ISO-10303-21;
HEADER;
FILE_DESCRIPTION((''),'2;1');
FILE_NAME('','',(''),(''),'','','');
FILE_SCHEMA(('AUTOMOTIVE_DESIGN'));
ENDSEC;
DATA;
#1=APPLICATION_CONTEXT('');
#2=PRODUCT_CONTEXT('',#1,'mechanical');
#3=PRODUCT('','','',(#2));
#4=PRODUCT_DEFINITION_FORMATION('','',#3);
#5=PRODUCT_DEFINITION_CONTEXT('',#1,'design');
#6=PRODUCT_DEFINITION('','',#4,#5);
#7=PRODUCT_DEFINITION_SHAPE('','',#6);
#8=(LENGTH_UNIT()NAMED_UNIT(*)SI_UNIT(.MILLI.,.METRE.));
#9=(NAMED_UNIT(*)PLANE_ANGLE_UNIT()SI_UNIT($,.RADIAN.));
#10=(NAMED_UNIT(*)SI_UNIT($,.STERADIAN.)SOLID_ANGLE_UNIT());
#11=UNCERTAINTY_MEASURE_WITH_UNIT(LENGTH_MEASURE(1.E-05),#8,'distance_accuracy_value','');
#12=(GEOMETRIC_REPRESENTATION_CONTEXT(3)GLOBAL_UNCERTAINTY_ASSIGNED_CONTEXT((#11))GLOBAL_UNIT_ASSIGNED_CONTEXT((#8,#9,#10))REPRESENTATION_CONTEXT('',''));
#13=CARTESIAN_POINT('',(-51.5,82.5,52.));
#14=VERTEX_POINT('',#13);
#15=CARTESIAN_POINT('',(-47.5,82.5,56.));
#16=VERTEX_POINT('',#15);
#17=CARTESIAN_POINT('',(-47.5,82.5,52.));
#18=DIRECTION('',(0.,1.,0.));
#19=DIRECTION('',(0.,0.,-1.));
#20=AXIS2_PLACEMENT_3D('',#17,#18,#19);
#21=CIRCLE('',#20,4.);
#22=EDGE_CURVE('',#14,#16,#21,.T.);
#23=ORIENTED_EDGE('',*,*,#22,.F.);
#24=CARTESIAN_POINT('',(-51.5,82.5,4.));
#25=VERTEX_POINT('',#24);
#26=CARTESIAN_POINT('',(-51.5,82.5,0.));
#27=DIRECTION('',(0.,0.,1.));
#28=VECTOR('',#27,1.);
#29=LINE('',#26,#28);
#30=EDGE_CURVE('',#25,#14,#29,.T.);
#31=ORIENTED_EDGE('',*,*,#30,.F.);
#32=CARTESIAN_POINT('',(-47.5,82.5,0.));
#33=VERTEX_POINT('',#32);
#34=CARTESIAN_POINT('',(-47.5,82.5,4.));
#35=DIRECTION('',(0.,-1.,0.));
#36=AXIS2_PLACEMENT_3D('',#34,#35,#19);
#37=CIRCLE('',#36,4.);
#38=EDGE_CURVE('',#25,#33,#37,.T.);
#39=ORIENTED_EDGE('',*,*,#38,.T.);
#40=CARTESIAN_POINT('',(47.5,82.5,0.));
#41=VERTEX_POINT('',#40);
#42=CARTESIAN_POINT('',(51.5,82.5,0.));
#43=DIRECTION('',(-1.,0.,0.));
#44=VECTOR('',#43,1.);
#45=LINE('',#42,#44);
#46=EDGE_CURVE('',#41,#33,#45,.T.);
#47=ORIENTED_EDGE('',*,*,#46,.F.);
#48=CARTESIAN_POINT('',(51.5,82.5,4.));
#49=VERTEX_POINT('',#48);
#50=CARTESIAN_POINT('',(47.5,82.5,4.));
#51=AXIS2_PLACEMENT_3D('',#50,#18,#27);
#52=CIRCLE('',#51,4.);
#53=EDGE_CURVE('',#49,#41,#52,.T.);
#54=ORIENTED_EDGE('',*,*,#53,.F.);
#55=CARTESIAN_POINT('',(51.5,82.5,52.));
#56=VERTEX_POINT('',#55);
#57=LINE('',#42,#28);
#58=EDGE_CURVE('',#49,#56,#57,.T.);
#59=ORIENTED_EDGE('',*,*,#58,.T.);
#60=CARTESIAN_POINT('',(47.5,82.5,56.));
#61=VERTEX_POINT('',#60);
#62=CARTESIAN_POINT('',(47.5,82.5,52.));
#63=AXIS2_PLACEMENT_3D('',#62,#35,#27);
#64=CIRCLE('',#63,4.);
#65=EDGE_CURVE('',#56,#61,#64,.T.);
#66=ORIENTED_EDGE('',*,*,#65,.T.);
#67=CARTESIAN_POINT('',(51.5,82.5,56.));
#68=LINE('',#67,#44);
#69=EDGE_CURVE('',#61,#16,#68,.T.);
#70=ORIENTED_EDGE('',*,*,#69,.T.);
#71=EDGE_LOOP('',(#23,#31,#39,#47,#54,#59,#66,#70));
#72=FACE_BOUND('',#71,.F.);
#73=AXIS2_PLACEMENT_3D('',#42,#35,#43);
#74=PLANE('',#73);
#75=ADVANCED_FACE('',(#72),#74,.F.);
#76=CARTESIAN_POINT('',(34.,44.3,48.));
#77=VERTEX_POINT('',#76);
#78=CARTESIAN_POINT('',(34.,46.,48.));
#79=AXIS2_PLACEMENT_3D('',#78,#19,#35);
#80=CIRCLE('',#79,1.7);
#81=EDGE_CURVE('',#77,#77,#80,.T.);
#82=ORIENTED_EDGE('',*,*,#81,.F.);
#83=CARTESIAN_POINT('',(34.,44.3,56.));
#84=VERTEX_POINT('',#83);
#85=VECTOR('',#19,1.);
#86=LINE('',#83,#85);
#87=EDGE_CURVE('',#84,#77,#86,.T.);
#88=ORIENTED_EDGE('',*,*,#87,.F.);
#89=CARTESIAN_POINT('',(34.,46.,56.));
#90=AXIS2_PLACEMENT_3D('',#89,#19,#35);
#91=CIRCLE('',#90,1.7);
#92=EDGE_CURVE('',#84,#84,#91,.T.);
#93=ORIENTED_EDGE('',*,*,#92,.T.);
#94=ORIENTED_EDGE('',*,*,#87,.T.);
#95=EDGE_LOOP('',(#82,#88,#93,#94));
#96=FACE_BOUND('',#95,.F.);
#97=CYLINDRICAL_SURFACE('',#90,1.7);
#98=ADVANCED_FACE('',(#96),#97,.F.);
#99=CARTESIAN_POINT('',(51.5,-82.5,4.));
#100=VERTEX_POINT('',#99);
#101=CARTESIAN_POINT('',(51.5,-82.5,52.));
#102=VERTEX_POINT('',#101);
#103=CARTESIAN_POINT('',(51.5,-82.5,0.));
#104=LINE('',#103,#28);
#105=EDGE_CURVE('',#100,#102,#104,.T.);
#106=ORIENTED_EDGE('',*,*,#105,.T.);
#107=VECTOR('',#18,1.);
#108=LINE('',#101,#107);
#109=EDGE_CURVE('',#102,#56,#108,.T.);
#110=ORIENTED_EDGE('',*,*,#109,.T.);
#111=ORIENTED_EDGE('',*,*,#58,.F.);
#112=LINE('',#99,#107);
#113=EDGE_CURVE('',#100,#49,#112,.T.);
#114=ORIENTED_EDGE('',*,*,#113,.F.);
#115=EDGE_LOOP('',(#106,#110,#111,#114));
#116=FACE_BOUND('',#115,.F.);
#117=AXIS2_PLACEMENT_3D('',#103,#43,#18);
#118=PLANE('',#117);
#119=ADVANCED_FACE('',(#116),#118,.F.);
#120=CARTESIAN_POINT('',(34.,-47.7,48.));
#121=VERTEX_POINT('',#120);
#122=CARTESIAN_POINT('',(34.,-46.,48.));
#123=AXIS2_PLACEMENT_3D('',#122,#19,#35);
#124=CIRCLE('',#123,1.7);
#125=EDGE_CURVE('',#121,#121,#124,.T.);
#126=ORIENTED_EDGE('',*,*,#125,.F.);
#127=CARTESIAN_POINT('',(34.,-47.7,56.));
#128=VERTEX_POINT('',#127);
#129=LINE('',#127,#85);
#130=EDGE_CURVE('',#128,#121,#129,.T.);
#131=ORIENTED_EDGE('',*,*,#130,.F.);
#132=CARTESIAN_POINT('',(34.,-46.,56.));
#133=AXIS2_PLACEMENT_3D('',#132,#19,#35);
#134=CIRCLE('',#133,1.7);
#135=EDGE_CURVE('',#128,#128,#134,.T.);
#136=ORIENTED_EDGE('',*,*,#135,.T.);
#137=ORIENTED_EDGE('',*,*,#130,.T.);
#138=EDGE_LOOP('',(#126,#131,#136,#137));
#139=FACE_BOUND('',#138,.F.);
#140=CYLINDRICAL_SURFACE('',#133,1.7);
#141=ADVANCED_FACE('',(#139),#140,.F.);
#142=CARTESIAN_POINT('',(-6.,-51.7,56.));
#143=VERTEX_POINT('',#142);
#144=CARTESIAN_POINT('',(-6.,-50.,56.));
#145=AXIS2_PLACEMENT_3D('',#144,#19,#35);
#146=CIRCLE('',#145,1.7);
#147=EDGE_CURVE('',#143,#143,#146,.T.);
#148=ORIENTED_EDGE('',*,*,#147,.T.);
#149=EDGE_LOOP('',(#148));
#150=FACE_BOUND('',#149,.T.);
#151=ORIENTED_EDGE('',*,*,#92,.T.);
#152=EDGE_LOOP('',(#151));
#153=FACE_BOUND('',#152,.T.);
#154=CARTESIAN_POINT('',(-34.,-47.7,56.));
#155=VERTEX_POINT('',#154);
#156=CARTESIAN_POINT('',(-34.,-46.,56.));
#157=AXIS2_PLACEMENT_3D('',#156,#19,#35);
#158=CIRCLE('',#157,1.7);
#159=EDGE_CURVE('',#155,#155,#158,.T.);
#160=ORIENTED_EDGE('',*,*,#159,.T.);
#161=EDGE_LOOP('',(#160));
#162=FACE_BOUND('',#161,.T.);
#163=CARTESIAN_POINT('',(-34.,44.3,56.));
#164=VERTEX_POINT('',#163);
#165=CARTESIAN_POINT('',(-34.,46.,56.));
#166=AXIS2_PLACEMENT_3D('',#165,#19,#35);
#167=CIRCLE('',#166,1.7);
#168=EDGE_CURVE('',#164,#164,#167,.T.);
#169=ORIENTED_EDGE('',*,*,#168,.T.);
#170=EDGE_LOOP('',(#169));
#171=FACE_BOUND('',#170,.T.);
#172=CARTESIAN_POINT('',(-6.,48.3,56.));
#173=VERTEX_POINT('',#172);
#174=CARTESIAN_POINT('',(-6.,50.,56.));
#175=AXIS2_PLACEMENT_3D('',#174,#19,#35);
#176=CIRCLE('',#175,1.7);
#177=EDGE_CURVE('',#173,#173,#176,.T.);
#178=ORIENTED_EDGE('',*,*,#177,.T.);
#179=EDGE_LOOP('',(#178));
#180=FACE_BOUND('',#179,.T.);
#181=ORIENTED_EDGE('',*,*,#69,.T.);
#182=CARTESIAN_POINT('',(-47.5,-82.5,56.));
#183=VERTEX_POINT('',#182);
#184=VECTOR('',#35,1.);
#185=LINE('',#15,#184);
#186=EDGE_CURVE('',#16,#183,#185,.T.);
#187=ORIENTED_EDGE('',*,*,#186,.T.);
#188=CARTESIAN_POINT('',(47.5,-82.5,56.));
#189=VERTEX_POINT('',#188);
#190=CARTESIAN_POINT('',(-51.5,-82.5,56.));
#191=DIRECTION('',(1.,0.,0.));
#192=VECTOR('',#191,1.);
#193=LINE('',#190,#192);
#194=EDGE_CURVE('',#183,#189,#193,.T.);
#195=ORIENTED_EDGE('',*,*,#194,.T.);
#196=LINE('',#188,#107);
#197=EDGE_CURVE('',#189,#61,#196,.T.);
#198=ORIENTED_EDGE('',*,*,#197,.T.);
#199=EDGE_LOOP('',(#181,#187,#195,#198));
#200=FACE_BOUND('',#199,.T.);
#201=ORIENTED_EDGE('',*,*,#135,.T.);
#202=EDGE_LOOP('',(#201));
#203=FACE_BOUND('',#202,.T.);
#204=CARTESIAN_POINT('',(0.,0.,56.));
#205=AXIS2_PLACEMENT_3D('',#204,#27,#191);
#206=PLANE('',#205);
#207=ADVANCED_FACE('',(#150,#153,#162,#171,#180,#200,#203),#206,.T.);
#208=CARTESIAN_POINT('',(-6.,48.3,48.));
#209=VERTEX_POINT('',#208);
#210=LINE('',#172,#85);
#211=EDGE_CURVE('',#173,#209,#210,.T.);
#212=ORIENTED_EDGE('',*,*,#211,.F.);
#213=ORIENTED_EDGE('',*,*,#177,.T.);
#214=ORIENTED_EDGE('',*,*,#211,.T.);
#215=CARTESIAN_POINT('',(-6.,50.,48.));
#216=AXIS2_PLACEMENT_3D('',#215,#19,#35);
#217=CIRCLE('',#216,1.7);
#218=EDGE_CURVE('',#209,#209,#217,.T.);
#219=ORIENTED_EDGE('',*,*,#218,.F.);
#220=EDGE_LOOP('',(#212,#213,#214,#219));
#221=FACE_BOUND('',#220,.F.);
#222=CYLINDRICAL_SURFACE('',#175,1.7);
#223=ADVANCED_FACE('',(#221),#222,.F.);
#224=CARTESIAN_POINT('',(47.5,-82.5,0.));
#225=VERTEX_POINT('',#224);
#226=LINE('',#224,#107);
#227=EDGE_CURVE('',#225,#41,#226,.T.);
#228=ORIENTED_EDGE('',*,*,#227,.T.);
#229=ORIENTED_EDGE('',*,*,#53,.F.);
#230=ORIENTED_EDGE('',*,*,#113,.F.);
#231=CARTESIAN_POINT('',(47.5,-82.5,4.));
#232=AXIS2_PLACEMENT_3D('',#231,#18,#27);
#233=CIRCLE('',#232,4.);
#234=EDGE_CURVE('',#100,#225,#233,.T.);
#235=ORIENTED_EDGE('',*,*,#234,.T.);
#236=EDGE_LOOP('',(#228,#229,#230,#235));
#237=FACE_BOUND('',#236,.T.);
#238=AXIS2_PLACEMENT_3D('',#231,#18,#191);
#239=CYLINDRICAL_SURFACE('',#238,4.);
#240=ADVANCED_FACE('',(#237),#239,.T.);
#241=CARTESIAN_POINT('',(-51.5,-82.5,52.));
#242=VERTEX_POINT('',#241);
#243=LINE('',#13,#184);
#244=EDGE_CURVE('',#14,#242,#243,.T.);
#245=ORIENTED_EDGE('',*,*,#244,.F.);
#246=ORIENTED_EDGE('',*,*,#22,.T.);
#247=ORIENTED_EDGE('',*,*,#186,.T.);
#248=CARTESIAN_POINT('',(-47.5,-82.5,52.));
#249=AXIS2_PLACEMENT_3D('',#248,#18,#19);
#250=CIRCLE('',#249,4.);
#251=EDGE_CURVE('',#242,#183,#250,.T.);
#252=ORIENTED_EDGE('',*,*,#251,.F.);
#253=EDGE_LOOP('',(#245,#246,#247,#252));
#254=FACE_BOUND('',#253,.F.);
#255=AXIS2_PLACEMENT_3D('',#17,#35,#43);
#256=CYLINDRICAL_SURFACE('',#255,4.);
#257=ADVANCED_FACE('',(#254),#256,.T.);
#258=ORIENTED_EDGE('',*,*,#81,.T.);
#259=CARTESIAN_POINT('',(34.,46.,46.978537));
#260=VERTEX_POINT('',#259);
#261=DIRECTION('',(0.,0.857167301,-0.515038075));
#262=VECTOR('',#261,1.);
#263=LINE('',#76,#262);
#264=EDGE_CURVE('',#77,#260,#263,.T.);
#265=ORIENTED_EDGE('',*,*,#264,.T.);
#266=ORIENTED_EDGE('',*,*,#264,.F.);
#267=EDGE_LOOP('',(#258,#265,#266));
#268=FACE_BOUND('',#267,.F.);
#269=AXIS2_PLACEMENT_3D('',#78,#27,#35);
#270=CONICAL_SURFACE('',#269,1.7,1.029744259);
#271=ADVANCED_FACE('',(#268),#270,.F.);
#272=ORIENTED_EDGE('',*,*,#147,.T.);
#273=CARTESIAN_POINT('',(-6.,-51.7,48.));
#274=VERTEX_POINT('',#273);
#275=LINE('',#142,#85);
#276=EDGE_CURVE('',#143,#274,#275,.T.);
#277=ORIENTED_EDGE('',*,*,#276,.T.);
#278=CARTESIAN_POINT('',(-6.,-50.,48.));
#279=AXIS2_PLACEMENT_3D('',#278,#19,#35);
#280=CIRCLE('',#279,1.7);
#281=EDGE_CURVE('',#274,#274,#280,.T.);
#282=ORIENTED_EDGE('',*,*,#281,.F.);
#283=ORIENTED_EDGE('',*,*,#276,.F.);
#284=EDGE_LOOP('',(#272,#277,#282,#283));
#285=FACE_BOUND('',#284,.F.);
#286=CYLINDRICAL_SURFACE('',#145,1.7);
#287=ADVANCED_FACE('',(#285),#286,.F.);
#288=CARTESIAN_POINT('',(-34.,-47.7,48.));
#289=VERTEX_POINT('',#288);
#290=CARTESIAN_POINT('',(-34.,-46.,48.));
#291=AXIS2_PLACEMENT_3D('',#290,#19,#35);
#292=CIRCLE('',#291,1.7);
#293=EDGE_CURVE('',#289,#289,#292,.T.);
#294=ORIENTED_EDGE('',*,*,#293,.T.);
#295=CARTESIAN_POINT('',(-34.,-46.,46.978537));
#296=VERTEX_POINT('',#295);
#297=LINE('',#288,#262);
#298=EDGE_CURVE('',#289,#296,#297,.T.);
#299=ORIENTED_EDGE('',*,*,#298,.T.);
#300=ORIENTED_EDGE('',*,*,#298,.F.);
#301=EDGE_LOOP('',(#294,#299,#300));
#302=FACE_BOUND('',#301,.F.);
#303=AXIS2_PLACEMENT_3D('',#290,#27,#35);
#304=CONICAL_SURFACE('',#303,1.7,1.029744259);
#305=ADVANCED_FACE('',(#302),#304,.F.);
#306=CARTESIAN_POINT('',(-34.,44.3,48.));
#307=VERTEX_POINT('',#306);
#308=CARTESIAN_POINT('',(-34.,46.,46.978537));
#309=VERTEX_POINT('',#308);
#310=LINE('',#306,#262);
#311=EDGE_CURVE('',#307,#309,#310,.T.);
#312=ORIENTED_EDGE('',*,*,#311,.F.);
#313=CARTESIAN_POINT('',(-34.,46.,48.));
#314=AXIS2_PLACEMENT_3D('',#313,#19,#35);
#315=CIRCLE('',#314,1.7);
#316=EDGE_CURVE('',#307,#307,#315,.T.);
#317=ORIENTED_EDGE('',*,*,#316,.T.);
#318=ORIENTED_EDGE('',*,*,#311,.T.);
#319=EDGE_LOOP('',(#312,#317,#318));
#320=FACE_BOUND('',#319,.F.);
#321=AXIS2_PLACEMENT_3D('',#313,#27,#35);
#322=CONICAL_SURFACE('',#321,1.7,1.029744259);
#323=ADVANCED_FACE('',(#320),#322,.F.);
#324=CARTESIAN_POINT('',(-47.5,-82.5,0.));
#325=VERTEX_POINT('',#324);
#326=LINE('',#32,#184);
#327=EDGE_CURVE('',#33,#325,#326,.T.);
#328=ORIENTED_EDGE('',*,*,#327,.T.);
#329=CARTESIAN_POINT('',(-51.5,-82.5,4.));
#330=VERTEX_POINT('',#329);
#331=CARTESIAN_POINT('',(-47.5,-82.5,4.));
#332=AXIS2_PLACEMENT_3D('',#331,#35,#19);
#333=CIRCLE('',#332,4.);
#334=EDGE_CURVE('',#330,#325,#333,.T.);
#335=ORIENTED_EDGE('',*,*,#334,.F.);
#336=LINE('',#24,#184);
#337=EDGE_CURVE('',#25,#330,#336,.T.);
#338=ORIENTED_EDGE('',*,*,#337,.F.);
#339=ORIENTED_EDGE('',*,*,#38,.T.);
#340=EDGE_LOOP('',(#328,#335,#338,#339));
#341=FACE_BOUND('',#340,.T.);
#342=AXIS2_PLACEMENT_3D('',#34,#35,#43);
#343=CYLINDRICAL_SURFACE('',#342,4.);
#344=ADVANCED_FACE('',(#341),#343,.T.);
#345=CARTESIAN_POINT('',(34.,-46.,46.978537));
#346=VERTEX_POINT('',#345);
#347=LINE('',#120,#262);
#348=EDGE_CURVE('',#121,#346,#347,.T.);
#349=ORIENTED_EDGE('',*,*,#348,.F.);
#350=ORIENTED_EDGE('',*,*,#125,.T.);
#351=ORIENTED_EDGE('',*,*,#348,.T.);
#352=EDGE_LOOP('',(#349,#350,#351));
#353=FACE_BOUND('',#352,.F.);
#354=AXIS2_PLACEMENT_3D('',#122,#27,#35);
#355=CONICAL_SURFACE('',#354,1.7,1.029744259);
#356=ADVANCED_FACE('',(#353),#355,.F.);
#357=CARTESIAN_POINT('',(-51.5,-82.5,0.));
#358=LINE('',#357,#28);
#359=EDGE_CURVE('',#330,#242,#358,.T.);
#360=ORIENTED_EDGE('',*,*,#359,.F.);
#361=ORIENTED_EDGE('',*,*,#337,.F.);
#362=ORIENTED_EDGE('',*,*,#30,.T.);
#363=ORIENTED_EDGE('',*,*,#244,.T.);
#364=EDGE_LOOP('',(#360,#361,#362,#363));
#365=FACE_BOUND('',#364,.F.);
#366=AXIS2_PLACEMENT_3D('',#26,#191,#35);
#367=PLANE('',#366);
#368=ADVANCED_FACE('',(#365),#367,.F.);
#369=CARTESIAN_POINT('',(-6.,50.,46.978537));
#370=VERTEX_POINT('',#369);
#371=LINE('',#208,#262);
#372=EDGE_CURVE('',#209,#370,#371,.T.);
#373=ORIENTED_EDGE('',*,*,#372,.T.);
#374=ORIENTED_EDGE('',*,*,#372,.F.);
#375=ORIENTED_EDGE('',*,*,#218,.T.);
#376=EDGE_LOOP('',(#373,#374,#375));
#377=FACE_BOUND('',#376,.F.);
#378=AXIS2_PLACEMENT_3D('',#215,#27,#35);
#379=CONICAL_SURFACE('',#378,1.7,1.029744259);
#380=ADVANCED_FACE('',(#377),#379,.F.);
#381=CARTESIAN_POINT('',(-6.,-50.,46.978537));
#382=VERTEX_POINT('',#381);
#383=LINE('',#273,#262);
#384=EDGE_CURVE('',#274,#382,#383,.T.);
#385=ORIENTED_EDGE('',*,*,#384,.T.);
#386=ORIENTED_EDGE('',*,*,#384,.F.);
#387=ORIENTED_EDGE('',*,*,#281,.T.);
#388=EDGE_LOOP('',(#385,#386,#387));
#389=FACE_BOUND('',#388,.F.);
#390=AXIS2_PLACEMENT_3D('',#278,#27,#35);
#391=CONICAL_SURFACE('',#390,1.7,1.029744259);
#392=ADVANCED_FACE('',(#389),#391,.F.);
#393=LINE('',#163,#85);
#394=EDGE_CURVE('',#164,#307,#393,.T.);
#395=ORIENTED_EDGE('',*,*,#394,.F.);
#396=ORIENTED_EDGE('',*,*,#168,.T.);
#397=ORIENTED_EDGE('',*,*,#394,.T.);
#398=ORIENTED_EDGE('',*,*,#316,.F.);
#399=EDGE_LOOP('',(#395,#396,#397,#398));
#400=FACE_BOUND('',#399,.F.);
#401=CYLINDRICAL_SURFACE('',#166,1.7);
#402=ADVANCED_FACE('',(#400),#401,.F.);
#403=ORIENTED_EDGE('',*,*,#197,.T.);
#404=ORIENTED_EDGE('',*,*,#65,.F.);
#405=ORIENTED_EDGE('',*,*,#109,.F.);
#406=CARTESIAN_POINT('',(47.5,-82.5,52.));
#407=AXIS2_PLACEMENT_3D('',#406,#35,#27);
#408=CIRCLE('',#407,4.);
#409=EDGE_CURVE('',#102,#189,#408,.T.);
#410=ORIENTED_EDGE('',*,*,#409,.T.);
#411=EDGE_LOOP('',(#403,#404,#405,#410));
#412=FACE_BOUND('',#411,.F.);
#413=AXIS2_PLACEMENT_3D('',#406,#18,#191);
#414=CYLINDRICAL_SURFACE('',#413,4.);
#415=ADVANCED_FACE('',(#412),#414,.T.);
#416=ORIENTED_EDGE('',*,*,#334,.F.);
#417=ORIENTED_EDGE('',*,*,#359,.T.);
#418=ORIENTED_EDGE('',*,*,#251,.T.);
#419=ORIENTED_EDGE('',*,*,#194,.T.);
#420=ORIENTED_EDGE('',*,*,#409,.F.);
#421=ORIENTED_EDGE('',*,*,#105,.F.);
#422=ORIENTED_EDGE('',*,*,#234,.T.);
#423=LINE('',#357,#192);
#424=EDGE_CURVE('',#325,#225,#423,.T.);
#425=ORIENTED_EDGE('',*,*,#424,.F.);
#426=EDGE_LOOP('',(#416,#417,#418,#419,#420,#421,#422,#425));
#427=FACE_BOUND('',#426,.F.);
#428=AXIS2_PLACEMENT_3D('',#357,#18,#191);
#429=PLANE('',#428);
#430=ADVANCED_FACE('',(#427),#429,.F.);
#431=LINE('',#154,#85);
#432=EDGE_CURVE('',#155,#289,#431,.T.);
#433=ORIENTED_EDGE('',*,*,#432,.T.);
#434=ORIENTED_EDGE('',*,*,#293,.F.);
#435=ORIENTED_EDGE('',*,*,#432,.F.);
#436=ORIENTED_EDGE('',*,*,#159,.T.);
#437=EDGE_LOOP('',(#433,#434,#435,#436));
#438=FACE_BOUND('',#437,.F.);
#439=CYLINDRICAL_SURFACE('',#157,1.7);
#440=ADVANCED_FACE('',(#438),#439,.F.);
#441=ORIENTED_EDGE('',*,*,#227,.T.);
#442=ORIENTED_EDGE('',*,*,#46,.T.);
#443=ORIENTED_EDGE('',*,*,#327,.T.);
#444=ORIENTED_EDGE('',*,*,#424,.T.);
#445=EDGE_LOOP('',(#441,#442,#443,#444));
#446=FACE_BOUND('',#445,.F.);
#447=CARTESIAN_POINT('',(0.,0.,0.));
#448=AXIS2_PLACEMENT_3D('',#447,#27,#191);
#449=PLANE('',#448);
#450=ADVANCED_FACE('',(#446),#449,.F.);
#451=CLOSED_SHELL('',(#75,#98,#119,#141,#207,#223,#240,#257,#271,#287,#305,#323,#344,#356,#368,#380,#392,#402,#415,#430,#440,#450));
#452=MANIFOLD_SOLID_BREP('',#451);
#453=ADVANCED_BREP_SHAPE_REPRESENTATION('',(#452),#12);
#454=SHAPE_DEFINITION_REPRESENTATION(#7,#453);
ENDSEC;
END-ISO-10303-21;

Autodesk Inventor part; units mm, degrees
ref_plane "YZ Plane" through (0, 0, 0) normal (1, 0, 0) x (0, 1, 0)
ref_plane "XZ Plane" through (0, 0, 0) normal (0, 1, 0) x (-1, 0, 0)
ref_plane "XY Plane" through (0, 0, 0) normal (0, 0, 1) x (1, 0, 0)
sketch "Sketch1" plane through (0, 0, 0) normal (0, 0, 1) x (1, 0, 0)
  line L0 (-51.5, -82.5) -> (51.5, -82.5)
  line L1 (51.5, -82.5) -> (51.5, 82.5)
  line L2 (51.5, 82.5) -> (-51.5, 82.5)
  line L3 (-51.5, 82.5) -> (-51.5, -82.5)
  line L4 (-51.5, -82.5) -> (51.5, 82.5) construction
  line L5 (51.5, -82.5) -> (-51.5, 82.5) construction
  point P0 (0, 0)
  dimension "d0" = 103
  dimension "d1" = 165
extrude "Extrusion1" add sketch "Sketch1" along normal blind 56
fillet "Fillet1" radius 4 4 edges at (-51.5, 0, 56) (51.5, 0, 56) (51.5, 0, 0) (-51.5, 0, 0)
sketch "Sketch2" plane through (0, 0, 56) normal (0, 0, 1) x (1, 0, 0)
  line L0 (-6, 50) -> (-6, -50) construction
  line L1 (-51.5, 82.5) -> (-51.5, -82.5) projected
  line L2 (51.5, -82.5) -> (51.5, 82.5) projected
  point P0 (0, 0)
  point P1 (-6, 0)
  dimension "d14" = 100
  dimension "d26" = 57.5
hole "Hole1" at (-6, -50, 56) at (-6, 50, 56) direction (0, 0, -1) diameter 3.4 depth 8 tip angle 118 clearance for "Countersunk Flat Head Screw DIN EN ISO 2009" size "M3" standard "DIN"
sketch "Sketch3" plane through (0, 0, 56) normal (0, 0, 1) x (1, 0, 0)
  line L0 (-34, -46) -> (34, -46) construction
  line L1 (34, -46) -> (34, 46) construction
  line L2 (34, 46) -> (-34, 46) construction
  line L3 (-34, 46) -> (-34, -46) construction
  line L4 (-47.5, -82.5) -> (47.5, -82.5) construction
  line L5 (-47.5, -82.5) -> (-47.5, 82.5) projected
  point P0 (0, 0)
  point P1 (0, -46)
  point P2 (-34, 0)
  point P3 (-47.5, 0)
  dimension "d16" = 92
  dimension "d17" = 68
hole "Hole2" at (-34, -46, 56) at (-34, 46, 56) at (34, 46, 56) at (34, -46, 56) direction (0, 0, -1) diameter 3.4 depth 8 tip angle 118 clearance for "Countersunk Flat Head Screw DIN EN ISO 2009" size "M3" standard "DIN"
properties part number "Elektronik_Gehäuse" material "Aluminum 6061"
